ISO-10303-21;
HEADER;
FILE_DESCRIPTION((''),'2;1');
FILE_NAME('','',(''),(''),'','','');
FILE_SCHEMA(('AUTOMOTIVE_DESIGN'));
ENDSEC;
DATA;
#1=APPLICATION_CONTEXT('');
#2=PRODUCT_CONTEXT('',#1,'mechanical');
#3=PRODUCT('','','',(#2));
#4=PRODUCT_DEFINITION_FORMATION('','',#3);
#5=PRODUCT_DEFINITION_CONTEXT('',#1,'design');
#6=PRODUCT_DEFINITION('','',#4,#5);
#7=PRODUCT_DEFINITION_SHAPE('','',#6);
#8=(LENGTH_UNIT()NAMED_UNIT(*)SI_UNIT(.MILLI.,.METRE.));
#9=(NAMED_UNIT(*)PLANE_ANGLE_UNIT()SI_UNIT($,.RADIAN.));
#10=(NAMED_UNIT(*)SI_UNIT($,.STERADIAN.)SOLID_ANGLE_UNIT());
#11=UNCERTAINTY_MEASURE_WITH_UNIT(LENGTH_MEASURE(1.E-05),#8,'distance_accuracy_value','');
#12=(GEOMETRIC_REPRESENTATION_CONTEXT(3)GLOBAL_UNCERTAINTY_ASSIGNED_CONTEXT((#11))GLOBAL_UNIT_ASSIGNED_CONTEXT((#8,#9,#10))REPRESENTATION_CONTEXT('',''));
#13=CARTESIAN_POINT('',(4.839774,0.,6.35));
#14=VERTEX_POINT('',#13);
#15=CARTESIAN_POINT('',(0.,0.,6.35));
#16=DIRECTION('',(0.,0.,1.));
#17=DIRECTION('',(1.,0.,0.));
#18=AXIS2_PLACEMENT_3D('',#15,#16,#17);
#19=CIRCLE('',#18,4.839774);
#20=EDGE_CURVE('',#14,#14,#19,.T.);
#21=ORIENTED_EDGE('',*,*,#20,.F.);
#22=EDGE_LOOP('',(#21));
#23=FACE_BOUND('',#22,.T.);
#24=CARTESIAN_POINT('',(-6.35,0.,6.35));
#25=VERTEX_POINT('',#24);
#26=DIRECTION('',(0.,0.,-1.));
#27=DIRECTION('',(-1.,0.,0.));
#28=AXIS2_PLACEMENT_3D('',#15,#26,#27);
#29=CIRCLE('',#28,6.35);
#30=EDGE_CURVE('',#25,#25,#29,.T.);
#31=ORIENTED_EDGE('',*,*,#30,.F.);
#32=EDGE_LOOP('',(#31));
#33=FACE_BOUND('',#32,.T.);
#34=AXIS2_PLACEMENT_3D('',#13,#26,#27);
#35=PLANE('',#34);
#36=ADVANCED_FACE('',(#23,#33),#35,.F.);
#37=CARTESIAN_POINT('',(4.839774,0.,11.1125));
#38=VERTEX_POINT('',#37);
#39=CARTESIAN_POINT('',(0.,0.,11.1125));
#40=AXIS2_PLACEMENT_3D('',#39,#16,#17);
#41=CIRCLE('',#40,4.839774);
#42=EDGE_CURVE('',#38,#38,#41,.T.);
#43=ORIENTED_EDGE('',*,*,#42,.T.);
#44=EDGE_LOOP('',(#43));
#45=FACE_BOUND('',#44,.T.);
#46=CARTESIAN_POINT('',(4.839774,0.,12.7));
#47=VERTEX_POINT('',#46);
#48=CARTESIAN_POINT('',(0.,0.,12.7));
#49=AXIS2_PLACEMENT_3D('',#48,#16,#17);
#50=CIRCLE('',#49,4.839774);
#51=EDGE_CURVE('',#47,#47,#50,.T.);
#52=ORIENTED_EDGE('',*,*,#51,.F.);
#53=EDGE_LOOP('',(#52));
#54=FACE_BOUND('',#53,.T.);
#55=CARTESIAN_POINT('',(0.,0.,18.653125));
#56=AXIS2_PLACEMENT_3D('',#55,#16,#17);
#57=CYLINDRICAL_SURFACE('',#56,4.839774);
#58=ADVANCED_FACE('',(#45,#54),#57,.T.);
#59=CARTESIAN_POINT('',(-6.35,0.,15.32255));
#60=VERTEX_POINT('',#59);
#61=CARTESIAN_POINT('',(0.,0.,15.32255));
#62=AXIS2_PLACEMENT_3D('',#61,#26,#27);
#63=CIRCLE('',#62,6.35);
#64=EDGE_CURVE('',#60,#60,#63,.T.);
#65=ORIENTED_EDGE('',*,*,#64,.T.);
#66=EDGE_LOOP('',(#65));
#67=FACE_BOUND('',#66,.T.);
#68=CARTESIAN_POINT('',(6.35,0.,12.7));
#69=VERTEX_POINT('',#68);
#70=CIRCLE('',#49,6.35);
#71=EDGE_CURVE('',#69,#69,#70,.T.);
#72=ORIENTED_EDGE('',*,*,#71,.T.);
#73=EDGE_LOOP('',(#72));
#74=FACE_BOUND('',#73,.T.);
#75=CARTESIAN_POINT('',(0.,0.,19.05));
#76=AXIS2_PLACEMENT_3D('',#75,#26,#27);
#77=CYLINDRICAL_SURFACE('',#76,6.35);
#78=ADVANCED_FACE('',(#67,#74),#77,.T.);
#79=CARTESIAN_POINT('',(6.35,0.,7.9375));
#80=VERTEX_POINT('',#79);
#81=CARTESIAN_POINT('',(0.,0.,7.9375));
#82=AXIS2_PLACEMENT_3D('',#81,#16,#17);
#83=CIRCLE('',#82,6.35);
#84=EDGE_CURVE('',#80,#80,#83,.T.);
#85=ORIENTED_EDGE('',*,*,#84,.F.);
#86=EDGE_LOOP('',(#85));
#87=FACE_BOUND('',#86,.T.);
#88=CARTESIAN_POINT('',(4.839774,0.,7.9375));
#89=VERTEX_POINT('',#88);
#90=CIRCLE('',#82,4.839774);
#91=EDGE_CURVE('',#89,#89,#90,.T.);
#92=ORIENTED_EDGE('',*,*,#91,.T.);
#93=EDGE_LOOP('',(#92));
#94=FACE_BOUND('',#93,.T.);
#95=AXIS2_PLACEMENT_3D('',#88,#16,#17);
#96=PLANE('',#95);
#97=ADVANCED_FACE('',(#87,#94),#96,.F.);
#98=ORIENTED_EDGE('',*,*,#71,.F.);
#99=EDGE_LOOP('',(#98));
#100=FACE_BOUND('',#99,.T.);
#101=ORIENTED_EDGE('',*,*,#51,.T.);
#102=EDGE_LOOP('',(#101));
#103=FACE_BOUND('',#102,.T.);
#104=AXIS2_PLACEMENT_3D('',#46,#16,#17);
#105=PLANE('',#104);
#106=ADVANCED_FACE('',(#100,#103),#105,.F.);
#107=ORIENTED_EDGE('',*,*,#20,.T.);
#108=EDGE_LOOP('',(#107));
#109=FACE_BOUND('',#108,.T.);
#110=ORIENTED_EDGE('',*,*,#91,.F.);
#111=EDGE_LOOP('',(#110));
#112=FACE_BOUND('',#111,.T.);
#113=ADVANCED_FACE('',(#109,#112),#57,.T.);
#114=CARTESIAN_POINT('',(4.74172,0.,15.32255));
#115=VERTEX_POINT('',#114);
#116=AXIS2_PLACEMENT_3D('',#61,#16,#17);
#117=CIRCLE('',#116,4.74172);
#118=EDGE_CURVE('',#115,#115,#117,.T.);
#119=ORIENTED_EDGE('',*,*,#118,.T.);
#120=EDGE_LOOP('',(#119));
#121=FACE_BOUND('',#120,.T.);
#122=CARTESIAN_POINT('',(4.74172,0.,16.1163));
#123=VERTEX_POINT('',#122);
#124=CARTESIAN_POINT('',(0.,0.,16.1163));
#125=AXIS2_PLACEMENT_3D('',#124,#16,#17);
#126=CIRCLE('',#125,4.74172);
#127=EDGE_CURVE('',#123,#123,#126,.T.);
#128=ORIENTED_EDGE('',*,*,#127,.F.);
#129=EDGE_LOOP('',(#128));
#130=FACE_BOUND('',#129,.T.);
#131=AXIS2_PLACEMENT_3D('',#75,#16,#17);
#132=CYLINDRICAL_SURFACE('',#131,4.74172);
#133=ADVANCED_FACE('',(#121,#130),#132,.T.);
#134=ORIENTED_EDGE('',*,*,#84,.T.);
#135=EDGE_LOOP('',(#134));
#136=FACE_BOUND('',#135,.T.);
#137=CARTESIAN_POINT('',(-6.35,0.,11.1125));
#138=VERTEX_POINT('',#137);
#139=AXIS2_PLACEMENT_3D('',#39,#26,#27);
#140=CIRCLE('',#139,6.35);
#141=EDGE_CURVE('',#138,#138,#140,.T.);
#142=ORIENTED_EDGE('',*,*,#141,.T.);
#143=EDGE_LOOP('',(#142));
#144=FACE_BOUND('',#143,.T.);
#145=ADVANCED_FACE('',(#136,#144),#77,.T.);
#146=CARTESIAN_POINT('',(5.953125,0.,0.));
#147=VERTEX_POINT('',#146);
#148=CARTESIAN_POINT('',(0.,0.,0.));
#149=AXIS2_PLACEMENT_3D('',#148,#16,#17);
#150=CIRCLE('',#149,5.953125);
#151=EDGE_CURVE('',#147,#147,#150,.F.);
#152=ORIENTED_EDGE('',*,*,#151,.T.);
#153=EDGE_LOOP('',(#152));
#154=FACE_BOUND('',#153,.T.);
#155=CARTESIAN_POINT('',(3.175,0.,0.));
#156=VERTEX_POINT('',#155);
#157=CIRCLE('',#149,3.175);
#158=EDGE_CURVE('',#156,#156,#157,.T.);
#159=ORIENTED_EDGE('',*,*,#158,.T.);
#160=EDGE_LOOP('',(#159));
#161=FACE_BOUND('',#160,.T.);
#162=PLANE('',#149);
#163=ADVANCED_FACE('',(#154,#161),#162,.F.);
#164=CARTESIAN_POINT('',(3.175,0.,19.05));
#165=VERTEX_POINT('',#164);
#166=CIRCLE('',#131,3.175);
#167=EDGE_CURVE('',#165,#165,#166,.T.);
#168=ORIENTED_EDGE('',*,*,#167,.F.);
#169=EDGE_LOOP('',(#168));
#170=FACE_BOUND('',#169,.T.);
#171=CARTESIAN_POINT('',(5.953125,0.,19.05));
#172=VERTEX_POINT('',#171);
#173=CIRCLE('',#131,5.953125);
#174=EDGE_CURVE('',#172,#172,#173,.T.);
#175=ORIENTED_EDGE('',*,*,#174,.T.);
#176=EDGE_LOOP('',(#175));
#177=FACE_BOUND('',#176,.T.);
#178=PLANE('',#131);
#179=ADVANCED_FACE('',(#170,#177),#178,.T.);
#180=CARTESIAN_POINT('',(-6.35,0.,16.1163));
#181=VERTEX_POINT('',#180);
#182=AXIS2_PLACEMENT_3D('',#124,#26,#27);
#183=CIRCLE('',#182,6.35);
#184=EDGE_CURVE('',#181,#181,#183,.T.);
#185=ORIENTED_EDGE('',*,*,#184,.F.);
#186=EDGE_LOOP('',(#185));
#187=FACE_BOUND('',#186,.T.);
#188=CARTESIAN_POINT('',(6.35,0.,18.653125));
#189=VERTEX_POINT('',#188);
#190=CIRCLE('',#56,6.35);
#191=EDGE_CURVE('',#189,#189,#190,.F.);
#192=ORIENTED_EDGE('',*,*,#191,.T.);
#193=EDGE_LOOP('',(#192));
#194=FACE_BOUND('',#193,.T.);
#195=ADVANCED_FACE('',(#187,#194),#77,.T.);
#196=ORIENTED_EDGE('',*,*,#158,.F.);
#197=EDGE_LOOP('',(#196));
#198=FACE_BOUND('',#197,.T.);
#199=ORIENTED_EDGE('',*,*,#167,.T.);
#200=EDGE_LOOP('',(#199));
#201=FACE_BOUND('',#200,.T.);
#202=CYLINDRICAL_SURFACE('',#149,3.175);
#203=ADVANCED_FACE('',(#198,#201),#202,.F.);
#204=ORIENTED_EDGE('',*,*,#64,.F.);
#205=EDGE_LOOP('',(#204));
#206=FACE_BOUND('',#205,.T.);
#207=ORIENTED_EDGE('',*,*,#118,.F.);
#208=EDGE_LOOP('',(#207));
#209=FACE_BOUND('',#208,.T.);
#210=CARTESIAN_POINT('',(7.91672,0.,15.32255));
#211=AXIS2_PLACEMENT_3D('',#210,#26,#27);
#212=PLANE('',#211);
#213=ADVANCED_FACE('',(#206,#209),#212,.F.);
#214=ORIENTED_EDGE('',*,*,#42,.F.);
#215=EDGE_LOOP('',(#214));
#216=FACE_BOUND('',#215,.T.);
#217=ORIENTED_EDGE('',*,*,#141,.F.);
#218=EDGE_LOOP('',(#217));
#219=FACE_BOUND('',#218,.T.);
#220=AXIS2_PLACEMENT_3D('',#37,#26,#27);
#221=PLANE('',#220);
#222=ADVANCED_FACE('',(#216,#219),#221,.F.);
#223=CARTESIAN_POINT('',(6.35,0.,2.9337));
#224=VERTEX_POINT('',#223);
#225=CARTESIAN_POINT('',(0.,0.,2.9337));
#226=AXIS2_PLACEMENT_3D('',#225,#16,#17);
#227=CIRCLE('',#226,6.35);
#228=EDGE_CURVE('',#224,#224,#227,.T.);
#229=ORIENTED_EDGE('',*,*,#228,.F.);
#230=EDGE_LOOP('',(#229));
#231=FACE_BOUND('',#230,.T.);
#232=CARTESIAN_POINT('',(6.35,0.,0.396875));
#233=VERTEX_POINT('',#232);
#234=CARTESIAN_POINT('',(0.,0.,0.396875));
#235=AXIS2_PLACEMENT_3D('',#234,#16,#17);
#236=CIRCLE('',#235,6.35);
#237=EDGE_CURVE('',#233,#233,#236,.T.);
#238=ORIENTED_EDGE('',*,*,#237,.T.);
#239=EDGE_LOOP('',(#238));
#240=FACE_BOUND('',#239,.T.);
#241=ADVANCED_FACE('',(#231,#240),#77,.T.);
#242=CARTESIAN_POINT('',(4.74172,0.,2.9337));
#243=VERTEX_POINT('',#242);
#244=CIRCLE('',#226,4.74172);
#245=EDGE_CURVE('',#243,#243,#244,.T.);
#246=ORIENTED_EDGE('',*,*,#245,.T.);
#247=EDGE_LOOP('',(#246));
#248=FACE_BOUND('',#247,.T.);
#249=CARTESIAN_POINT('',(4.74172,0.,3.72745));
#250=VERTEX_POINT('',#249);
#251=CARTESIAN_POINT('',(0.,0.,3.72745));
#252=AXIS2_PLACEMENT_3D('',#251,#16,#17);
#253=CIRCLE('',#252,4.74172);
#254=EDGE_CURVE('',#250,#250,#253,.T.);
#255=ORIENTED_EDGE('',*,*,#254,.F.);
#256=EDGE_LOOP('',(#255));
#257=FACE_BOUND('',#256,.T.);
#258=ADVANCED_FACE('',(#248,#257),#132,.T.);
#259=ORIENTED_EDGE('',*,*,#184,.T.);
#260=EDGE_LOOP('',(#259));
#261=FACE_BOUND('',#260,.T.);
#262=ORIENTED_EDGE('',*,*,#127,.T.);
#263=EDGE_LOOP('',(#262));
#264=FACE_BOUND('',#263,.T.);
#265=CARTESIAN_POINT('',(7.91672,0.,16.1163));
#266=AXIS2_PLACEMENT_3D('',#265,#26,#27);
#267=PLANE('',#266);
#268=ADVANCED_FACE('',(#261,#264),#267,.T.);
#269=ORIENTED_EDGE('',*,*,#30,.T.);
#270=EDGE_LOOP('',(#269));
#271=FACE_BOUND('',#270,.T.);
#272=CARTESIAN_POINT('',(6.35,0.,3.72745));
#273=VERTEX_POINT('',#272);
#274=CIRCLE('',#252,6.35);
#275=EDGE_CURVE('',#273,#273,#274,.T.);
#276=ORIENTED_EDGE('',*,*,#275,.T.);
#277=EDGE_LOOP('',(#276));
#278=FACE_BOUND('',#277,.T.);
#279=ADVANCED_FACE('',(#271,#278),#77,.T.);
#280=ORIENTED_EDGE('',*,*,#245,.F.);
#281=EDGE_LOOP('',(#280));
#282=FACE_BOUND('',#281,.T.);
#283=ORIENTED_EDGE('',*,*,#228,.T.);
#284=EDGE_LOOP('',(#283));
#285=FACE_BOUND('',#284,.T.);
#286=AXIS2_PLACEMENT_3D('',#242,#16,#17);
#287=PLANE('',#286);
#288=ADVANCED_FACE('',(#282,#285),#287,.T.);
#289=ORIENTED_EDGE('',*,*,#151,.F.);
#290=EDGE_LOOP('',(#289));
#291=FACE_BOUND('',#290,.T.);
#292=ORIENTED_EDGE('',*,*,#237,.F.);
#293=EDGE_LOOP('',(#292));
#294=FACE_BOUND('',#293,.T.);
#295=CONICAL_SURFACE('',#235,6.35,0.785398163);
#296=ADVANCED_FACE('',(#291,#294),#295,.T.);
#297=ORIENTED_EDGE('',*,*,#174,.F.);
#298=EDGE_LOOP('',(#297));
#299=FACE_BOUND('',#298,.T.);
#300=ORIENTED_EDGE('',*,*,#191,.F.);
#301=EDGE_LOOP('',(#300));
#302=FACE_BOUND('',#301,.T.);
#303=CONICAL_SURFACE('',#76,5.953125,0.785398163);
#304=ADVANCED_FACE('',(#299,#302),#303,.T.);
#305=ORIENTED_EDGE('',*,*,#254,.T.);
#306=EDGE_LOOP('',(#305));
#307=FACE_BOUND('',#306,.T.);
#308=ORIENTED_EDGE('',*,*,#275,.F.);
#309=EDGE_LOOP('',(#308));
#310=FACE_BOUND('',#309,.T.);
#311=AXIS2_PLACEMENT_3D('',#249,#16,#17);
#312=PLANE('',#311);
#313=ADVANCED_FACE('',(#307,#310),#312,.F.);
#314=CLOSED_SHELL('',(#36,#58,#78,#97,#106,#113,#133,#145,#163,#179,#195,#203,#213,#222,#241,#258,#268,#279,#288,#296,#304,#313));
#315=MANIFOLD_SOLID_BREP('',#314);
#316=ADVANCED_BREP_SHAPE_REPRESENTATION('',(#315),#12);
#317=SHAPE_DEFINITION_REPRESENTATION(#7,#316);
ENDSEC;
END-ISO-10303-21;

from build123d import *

# Parameters (mm, degrees)
SKETCH2_R           = 6.35
BOSS_EXTRUDE1_DEPTH = 19.05
SKETCH3_R           = 3.175
CUT_EXTRUDE1_DEPTH  = 20.05
SKETCH4_W           = 3.175
SKETCH4_H           = 0.79375
CHAMFER1_SIZE       = 0.396875
SKETCH5_W           = 3.020451336
SKETCH5_H           = 1.5875


with BuildPart() as part:
    # Sketch2 → Boss-Extrude1 (new body)
    with BuildSketch(Plane.XY):
        Circle(SKETCH2_R)
    extrude(amount=BOSS_EXTRUDE1_DEPTH)

    # Sketch3 → Cut-Extrude1 (cut, through all)
    with BuildSketch(Plane.XY.offset(19.05)):
        Circle(SKETCH3_R)
    extrude(amount=-CUT_EXTRUDE1_DEPTH, mode=Mode.SUBTRACT)

    # Sketch4 → Cut-Revolve1 (revolve, cut)
    with BuildSketch(Plane(origin=(0, 0, 0), x_dir=(1, 0, 0), z_dir=(0, 1, 0))):
        with Locations((6.329219641, -15.719425)):
            Rectangle(SKETCH4_W, SKETCH4_H)
        with Locations((6.329219641, -3.330575)):
            Rectangle(SKETCH4_W, SKETCH4_H)
    revolve(axis=Axis((0, 0, 19.05), (0, 0, -1)), mode=Mode.SUBTRACT)

    # Chamfer1
    chamfer1_edges = [part.edges().sort_by_distance(p)[0] for p in [
        (-6.35, 0, 0),
        (-6.35, 0, 19.05),
    ]]
    chamfer(chamfer1_edges, length=CHAMFER1_SIZE)

    # Sketch5 → Cut-Revolve2 (revolve, cut)
    with BuildSketch(Plane(origin=(0, 0, 0), x_dir=(1, 0, 0), z_dir=(0, 1, 0))):
        with Locations((6.35, -11.90625)):
            Rectangle(SKETCH5_W, SKETCH5_H)
        with Locations((6.35, -7.14375)):
            Rectangle(SKETCH5_W, SKETCH5_H)
    revolve(axis=Axis((0, 0, 19.05), (0, 0, -1)), mode=Mode.SUBTRACT)


solid = part.part
